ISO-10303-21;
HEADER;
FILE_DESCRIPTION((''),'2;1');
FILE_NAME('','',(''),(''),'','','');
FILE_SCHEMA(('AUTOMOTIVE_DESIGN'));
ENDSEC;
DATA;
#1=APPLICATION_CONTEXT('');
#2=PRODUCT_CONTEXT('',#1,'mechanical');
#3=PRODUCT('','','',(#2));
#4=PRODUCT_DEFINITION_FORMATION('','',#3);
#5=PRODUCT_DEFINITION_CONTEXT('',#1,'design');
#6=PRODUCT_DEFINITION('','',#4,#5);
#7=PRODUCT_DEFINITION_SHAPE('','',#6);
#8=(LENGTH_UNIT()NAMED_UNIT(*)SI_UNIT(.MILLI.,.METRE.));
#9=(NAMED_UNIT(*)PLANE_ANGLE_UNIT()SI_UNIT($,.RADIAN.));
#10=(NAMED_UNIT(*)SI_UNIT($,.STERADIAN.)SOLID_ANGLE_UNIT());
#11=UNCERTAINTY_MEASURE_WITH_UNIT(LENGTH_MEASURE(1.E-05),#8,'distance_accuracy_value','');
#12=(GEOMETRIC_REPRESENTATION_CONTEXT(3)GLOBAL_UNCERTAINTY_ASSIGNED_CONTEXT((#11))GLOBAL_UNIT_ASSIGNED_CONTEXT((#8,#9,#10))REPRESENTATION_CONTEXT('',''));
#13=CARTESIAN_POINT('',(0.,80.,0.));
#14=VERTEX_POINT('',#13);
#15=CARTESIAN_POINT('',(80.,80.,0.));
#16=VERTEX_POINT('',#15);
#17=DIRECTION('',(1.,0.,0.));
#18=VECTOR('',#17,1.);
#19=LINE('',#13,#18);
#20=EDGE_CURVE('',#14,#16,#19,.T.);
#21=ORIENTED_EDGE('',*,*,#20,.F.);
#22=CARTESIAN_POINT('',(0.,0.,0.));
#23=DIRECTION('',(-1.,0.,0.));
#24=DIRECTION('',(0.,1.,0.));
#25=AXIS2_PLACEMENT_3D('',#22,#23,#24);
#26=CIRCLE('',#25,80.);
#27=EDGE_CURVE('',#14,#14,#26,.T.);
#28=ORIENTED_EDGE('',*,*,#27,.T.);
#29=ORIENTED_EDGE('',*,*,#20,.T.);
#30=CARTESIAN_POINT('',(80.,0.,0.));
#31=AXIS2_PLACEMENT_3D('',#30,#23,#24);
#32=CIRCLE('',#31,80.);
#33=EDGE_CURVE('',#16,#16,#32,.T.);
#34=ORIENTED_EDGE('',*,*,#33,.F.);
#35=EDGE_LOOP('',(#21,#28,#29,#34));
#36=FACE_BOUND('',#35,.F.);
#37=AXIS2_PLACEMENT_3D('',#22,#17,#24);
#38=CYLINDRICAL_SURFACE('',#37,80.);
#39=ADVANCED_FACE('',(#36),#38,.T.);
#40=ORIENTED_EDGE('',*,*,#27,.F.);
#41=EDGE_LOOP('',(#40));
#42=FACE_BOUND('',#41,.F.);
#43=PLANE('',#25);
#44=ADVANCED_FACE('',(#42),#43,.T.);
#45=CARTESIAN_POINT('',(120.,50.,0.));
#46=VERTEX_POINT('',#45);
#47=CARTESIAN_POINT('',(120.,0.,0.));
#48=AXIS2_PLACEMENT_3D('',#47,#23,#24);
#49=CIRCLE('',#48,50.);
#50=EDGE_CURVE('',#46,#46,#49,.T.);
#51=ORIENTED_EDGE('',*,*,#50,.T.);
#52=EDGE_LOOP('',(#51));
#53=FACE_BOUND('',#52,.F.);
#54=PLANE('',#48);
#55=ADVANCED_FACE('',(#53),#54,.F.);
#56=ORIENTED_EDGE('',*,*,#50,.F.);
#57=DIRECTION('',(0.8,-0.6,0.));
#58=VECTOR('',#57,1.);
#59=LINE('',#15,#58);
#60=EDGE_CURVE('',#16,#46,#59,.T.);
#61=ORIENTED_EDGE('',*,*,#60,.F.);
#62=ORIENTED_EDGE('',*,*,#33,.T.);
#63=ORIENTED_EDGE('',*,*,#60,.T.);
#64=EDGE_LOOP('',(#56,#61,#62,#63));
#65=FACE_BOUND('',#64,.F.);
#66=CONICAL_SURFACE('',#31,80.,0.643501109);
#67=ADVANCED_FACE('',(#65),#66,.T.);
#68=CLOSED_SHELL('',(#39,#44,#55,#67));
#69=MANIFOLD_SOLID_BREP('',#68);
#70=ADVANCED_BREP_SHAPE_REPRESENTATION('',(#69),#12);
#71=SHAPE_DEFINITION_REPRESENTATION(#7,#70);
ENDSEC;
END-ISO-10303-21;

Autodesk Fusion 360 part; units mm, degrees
sketch "Sketch1" plane through (0, 0, 0) normal (0, 0, 1) x (1, 0, 0)
  line L0 (0, 0) -> (0, 80)
  line L1 (0, 80) -> (80, 80)
  line L2 (80, 80) -> (120, 50)
  line L3 (120, 50) -> (120, 0)
  line L4 (120, 0) -> (0, 0)
revolve "Revolve1" add sketch "Sketch1" angle 360 about axis through (120, 0, 0) along (-1, 0, 0)
